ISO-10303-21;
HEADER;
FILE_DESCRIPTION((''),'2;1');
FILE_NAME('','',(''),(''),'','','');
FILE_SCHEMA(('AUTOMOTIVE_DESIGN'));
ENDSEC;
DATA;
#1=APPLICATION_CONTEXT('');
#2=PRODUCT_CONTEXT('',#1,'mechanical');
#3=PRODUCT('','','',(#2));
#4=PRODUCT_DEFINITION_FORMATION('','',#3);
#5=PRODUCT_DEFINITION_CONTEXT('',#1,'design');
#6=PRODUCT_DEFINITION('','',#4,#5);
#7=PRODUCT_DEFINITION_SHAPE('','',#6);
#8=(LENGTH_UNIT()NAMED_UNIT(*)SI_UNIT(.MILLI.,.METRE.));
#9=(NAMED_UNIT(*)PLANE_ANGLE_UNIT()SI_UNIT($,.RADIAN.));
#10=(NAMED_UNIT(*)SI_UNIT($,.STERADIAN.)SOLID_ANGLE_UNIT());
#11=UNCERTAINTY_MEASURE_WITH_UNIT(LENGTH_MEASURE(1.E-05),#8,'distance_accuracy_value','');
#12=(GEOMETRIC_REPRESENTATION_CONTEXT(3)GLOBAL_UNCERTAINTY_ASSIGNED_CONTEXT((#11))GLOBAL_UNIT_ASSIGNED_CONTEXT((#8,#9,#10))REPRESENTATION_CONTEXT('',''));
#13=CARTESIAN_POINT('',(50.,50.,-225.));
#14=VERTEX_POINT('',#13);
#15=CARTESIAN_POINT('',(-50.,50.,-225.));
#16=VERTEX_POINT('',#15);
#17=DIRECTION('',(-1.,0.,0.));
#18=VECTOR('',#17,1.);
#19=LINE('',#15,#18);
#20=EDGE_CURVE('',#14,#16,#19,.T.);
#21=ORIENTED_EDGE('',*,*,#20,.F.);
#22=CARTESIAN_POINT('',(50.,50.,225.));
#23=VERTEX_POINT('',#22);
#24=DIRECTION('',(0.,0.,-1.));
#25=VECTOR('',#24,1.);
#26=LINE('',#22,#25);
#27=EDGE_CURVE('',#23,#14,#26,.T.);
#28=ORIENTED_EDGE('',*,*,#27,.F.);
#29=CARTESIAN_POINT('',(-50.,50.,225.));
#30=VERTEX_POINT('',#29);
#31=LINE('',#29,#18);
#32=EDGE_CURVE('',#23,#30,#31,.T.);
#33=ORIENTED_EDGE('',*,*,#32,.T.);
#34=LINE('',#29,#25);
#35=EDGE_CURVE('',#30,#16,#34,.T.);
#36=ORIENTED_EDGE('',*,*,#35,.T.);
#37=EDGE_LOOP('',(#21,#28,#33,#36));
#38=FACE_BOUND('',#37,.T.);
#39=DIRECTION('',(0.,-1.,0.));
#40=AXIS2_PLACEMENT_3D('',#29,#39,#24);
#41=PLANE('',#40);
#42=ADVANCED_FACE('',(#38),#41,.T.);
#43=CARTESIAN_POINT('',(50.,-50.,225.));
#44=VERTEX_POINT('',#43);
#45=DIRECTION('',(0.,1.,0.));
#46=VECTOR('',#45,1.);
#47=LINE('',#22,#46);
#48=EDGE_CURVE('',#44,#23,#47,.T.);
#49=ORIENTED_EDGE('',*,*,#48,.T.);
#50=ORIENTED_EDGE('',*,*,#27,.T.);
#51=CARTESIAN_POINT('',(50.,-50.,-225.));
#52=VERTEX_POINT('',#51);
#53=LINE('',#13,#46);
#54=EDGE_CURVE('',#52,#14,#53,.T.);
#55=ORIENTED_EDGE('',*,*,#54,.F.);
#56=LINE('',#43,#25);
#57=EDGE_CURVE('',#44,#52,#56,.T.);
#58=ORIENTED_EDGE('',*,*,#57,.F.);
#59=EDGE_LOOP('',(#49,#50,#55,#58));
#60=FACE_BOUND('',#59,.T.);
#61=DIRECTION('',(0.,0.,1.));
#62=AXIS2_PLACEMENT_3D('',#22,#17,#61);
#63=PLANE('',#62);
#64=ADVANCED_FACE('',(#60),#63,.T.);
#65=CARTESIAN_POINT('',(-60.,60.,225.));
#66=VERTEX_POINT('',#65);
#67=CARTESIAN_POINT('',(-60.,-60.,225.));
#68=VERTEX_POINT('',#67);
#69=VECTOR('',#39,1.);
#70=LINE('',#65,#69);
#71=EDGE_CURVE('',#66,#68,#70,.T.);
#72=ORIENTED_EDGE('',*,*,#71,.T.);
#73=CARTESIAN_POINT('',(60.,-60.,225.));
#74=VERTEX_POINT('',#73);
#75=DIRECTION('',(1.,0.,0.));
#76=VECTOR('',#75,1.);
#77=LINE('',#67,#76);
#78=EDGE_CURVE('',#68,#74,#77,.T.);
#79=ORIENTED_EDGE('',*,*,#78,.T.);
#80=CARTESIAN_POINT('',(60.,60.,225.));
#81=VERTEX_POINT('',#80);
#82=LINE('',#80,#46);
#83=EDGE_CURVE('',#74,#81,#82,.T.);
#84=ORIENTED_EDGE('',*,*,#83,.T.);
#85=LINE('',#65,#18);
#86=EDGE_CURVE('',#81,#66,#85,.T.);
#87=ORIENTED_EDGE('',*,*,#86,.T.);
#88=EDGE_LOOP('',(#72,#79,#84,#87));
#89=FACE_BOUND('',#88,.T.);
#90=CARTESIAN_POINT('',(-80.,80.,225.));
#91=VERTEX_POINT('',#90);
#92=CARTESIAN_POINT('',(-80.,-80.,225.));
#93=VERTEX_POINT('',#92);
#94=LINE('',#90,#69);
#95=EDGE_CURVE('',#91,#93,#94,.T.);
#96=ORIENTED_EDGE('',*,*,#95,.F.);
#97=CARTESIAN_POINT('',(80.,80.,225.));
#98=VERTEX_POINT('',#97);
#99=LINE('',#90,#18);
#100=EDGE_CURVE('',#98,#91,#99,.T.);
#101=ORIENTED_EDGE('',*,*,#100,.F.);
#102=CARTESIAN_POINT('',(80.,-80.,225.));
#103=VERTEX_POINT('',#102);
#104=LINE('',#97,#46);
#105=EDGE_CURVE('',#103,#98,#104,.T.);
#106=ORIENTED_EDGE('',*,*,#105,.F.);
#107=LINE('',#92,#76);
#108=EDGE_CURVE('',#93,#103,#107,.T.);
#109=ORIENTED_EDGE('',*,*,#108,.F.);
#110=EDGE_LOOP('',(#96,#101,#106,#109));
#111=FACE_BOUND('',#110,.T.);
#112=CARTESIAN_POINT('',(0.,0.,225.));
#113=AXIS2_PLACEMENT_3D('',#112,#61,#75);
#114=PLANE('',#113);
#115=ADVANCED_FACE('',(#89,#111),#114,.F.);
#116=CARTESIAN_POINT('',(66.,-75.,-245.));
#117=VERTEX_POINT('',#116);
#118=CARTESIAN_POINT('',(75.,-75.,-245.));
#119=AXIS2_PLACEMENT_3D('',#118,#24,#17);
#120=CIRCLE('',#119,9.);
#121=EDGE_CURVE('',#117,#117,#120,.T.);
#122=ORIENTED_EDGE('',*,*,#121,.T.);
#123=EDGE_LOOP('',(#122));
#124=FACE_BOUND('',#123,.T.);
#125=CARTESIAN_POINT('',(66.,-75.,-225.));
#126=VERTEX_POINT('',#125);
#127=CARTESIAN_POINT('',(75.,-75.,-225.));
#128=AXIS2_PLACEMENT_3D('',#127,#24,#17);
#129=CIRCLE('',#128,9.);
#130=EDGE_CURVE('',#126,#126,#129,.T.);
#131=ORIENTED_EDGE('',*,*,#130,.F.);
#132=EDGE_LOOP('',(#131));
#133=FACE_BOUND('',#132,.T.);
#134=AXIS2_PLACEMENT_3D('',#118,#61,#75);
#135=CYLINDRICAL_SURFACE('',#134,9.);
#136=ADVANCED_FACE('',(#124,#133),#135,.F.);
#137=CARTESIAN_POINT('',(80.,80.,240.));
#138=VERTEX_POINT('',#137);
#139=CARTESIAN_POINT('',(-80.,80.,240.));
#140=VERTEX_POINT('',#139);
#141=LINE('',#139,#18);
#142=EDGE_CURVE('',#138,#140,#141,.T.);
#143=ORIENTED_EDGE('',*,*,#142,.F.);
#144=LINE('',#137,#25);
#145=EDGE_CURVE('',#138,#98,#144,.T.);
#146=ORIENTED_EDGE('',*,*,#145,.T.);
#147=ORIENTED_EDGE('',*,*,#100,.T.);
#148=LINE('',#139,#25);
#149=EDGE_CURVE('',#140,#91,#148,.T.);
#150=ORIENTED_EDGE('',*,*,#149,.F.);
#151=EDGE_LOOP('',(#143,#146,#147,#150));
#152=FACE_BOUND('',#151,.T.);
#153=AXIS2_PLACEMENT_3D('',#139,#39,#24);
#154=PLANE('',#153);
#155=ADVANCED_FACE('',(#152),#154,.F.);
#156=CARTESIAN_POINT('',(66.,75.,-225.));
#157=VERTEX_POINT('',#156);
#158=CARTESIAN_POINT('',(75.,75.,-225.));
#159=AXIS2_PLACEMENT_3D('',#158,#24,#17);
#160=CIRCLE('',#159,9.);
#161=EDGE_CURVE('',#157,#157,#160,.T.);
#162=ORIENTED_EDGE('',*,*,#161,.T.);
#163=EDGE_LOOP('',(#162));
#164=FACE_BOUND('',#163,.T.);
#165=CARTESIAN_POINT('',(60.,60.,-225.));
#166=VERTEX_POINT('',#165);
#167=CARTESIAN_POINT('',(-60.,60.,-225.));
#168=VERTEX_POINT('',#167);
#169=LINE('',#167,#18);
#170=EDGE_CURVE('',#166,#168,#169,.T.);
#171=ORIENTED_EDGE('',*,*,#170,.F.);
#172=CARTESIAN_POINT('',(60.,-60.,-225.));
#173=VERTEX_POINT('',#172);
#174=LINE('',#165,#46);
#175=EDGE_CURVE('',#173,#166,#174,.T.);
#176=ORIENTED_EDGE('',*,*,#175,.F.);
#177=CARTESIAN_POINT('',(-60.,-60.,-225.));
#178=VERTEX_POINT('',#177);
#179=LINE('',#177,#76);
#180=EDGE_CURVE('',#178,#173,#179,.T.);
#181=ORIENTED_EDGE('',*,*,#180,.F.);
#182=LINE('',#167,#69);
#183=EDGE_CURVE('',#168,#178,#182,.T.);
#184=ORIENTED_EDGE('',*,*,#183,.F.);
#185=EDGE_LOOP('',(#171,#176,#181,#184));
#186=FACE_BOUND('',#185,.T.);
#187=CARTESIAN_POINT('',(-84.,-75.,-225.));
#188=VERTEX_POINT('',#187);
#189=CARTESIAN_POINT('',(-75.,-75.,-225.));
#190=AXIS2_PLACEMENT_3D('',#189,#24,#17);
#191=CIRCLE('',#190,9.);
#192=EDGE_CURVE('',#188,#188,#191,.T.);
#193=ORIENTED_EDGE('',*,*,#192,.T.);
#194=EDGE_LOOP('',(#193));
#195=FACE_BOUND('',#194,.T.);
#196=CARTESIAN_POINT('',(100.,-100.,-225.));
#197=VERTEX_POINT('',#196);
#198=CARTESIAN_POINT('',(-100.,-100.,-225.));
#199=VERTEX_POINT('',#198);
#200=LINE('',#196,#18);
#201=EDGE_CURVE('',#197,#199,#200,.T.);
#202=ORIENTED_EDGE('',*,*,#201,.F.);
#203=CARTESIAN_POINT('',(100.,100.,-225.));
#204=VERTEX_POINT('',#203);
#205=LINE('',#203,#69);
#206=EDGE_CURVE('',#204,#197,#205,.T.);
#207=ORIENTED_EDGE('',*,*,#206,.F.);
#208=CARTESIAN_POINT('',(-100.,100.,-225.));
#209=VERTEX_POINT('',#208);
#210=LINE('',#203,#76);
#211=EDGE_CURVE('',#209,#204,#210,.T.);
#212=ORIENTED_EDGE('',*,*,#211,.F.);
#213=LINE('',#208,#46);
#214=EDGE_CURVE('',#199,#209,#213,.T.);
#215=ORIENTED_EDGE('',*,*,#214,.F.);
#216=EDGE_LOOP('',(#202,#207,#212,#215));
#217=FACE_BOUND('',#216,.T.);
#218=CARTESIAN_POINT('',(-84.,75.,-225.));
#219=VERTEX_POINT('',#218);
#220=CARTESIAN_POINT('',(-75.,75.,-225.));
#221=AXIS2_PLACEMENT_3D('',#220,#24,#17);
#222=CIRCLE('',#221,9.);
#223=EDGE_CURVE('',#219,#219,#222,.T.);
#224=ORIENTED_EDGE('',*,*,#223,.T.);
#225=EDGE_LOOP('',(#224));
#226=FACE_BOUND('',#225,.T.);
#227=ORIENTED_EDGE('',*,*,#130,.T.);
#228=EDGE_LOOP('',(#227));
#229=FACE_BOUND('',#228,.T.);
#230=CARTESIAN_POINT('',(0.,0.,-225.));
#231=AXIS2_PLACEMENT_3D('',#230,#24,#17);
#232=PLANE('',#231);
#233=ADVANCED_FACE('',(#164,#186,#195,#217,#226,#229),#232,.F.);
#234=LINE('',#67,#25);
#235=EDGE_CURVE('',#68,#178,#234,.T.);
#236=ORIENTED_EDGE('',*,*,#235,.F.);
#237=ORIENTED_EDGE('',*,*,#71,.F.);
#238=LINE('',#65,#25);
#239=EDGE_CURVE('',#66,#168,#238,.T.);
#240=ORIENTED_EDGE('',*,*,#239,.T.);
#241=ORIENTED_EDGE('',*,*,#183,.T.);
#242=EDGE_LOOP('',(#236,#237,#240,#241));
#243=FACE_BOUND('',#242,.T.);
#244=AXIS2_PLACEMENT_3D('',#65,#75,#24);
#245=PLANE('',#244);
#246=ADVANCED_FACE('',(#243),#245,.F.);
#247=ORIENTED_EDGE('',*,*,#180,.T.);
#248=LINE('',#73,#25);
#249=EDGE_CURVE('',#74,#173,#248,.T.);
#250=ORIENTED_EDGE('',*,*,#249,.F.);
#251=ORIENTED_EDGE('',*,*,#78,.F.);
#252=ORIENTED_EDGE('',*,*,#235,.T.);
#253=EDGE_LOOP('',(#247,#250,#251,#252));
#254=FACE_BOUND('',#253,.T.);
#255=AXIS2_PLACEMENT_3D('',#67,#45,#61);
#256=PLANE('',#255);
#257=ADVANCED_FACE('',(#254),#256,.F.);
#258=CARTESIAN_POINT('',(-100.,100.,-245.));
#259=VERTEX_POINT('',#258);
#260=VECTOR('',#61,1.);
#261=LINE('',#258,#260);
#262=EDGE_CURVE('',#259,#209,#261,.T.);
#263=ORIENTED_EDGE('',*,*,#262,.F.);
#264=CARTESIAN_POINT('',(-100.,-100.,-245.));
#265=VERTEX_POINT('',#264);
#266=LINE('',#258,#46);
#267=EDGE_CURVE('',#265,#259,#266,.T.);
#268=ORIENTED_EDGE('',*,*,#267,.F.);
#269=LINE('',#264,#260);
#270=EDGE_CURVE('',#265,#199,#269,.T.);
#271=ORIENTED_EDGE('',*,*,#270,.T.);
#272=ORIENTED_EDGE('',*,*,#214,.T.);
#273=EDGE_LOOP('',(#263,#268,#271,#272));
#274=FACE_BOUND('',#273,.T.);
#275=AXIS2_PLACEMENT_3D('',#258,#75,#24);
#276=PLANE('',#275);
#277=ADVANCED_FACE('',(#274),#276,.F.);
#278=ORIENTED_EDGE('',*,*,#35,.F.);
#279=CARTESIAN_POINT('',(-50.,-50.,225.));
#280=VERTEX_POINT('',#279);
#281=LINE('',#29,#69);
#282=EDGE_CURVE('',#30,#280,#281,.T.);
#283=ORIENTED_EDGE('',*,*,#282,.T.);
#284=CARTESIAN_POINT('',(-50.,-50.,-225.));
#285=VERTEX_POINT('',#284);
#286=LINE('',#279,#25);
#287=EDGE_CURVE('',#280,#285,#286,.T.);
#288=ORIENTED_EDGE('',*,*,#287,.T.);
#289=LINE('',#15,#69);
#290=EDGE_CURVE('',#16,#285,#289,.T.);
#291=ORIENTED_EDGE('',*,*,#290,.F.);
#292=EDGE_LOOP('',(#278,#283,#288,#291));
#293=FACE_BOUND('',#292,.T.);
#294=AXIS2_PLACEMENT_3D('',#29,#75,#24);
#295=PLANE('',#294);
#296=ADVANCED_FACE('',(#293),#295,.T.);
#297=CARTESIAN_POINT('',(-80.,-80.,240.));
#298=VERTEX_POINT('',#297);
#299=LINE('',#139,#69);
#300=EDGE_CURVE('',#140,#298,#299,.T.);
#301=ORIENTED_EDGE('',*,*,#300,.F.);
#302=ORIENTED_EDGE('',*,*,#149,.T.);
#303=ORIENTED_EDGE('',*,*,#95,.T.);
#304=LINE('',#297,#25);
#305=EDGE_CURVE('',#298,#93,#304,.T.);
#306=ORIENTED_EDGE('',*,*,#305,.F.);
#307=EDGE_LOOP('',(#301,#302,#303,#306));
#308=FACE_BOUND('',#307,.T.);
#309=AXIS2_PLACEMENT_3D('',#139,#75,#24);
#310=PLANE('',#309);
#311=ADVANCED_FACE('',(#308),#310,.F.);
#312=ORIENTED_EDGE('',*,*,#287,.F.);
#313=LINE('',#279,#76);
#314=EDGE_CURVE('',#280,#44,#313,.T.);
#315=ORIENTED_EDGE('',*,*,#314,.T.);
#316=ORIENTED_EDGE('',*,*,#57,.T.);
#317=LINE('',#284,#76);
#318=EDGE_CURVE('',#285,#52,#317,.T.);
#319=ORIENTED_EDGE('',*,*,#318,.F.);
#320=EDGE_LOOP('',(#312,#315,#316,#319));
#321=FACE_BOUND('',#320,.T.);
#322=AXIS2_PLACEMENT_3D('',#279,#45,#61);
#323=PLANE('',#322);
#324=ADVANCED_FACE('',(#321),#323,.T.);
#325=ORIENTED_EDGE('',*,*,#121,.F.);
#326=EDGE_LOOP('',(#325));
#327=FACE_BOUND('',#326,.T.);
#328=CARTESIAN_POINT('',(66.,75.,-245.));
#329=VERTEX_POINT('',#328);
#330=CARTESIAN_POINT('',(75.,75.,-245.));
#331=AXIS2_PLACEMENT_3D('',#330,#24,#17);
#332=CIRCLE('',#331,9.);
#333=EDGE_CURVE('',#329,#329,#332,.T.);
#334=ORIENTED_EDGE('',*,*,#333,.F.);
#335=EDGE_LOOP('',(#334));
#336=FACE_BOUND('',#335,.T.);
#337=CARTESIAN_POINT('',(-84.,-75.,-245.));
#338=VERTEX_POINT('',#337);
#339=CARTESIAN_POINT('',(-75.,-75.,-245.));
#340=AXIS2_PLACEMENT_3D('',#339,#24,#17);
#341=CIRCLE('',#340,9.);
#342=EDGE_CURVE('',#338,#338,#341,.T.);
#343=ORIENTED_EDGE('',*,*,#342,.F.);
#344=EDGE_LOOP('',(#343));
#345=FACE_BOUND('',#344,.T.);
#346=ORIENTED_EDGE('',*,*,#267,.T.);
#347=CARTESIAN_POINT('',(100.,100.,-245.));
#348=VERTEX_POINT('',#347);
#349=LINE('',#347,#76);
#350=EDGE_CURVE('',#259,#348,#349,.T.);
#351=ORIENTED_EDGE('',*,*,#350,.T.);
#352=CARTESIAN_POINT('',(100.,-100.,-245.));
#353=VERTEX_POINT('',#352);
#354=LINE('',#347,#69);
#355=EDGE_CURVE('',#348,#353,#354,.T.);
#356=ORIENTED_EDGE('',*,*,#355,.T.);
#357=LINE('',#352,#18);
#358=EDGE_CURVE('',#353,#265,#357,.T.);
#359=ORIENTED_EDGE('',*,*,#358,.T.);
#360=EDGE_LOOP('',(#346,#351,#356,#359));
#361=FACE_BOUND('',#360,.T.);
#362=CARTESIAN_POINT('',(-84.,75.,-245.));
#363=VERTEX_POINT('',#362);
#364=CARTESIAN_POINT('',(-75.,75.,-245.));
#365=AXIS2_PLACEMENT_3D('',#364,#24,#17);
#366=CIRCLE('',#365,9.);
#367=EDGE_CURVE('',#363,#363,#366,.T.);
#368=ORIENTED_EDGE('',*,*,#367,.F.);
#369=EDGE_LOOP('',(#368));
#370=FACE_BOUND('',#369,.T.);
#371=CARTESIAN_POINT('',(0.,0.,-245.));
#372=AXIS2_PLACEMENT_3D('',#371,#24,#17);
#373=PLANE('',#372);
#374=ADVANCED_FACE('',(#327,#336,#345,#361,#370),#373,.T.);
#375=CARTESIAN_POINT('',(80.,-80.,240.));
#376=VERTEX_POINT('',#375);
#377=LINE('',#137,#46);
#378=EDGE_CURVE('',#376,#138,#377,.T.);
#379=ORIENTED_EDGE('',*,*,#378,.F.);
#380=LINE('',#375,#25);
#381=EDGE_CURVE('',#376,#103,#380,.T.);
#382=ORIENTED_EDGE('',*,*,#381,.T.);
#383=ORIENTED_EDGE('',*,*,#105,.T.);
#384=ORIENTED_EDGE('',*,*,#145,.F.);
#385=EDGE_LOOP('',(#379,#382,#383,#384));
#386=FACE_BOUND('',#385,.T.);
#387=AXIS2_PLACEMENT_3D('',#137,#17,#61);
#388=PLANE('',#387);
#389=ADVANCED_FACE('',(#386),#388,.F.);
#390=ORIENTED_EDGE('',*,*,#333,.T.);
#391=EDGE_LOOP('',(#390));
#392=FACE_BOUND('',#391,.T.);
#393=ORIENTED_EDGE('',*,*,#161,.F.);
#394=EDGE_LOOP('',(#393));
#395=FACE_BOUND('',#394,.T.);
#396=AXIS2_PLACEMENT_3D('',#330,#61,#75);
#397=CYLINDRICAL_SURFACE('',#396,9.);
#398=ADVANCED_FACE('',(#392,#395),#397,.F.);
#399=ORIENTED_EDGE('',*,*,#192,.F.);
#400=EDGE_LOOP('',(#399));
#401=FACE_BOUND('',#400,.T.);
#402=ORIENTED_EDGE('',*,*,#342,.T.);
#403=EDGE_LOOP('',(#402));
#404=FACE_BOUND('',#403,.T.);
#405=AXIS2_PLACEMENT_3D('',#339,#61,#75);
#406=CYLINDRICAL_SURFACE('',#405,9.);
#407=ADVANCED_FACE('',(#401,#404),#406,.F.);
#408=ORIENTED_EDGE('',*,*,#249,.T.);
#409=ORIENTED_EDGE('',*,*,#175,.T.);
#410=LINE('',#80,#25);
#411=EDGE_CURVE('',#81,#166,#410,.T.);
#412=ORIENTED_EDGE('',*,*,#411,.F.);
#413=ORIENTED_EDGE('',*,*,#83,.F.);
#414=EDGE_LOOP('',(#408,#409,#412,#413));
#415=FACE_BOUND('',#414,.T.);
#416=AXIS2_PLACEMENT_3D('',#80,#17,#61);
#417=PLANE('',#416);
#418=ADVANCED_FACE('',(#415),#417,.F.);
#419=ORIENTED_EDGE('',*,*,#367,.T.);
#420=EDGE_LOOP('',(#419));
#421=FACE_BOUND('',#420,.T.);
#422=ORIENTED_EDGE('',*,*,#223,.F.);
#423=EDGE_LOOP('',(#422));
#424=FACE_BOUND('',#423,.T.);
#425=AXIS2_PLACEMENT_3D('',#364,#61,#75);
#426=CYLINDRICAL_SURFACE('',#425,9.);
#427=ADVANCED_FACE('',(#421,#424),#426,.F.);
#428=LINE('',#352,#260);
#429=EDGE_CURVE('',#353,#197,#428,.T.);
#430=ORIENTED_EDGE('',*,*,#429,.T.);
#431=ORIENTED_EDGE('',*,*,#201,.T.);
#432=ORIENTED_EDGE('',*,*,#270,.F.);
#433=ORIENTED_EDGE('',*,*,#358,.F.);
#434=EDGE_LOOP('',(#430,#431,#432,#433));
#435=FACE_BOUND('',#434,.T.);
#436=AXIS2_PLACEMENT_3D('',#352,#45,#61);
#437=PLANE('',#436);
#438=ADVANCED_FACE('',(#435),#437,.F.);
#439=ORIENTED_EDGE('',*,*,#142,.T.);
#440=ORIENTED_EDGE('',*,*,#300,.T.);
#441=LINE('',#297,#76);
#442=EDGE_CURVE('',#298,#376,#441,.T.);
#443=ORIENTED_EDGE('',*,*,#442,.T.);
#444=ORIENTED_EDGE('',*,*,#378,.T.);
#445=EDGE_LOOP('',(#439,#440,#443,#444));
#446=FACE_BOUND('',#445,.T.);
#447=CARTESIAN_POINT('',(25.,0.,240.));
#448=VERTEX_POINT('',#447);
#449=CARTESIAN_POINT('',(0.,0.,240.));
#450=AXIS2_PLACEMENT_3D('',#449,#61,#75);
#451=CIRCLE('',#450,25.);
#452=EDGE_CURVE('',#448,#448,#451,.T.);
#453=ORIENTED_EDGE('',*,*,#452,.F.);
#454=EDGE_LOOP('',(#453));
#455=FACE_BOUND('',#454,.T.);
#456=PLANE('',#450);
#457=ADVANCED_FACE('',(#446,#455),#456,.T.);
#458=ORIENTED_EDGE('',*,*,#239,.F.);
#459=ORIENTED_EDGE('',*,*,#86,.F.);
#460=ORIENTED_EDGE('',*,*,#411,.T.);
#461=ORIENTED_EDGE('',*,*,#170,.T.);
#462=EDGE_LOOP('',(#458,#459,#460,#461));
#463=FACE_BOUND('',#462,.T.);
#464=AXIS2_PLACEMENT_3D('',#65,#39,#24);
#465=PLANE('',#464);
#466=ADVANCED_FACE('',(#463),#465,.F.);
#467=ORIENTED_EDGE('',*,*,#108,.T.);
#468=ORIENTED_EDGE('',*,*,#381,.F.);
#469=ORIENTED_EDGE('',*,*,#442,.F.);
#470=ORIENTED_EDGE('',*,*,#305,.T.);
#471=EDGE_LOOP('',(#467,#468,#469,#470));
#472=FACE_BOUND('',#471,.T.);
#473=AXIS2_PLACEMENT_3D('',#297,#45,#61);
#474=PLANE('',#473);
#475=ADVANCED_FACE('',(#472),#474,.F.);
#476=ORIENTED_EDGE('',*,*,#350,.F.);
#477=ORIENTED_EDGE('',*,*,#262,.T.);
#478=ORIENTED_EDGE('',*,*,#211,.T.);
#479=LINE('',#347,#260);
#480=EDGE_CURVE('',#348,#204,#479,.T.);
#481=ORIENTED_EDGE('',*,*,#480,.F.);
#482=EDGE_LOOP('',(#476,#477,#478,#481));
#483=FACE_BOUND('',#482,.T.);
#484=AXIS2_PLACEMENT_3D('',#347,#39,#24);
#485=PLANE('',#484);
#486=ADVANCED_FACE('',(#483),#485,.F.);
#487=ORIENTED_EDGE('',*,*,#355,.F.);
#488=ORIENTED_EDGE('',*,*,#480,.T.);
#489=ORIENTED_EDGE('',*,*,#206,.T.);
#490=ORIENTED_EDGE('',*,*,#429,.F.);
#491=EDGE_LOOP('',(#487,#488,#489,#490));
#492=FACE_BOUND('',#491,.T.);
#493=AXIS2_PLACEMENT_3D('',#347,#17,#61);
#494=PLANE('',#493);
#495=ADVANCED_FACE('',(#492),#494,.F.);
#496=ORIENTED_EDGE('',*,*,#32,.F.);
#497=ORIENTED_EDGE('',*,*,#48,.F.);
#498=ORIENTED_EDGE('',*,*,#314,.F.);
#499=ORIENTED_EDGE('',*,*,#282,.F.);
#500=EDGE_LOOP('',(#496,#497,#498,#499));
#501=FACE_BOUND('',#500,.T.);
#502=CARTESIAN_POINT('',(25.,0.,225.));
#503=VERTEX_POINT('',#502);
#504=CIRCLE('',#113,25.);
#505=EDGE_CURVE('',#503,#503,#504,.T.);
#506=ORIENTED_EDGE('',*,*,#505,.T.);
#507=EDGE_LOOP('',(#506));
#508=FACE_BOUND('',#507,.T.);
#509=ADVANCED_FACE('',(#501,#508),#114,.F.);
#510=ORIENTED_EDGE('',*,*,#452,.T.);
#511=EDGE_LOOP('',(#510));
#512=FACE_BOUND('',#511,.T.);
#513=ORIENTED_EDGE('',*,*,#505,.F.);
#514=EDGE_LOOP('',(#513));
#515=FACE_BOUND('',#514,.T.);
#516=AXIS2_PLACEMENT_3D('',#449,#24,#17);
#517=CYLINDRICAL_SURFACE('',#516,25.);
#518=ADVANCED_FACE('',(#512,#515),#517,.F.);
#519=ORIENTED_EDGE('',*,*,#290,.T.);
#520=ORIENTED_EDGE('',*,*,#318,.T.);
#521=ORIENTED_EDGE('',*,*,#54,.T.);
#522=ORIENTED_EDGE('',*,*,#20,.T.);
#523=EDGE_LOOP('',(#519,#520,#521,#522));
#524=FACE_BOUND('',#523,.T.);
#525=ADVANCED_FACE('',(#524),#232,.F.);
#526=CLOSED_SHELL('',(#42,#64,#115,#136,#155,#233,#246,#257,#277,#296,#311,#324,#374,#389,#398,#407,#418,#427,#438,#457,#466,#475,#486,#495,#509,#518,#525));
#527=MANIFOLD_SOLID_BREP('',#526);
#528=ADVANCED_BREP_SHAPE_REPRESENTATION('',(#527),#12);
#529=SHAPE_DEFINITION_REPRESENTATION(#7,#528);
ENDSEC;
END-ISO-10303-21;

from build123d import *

# Parameters (mm, degrees)
SKETCH_8_W      = 120
SKETCH_8_H      = 120
SKETCH_8_W_2    = 100
SKETCH_8_H_2    = 100
EXTRUDE_1_DEPTH = 225
SKETCH_9_W      = 160
SKETCH_9_H      = 160
SKETCH_9_R      = 25
EXTRUDE_2_DEPTH = 15
SKETCH_10_W     = 200
SKETCH_10_H     = 200
SKETCH_10_R     = 9
EXTRUDE_3_DEPTH = 20


with BuildPart() as part:
    # 草图8 → 凸台-拉伸1 (new, symmetric)
    with BuildSketch(Plane.XY):
        Rectangle(SKETCH_8_W, SKETCH_8_H)
        Rectangle(SKETCH_8_W_2, SKETCH_8_H_2, mode=Mode.SUBTRACT)
    extrude(amount=EXTRUDE_1_DEPTH, both=True)

    # 草图9 → 凸台-拉伸2 (add)
    with BuildSketch(Plane.XY.offset(225)):
        Rectangle(SKETCH_9_W, SKETCH_9_H)
        Circle(SKETCH_9_R, mode=Mode.SUBTRACT)
    extrude(amount=EXTRUDE_2_DEPTH)

    # 草图10 → 凸台-拉伸3 (add)
    with BuildSketch(Plane(origin=(0, 0, -225), x_dir=(-1, 0, 0), z_dir=(0, 0, -1))):
        Rectangle(SKETCH_10_W, SKETCH_10_H)
        with Locations((75, 75)):
            Circle(SKETCH_10_R, mode=Mode.SUBTRACT)
        with Locations((-75, 75)):
            Circle(SKETCH_10_R, mode=Mode.SUBTRACT)
        with Locations((75, -75)):
            Circle(SKETCH_10_R, mode=Mode.SUBTRACT)
        with Locations((-75, -75)):
            Circle(SKETCH_10_R, mode=Mode.SUBTRACT)
    extrude(amount=EXTRUDE_3_DEPTH)


solid = part.part
